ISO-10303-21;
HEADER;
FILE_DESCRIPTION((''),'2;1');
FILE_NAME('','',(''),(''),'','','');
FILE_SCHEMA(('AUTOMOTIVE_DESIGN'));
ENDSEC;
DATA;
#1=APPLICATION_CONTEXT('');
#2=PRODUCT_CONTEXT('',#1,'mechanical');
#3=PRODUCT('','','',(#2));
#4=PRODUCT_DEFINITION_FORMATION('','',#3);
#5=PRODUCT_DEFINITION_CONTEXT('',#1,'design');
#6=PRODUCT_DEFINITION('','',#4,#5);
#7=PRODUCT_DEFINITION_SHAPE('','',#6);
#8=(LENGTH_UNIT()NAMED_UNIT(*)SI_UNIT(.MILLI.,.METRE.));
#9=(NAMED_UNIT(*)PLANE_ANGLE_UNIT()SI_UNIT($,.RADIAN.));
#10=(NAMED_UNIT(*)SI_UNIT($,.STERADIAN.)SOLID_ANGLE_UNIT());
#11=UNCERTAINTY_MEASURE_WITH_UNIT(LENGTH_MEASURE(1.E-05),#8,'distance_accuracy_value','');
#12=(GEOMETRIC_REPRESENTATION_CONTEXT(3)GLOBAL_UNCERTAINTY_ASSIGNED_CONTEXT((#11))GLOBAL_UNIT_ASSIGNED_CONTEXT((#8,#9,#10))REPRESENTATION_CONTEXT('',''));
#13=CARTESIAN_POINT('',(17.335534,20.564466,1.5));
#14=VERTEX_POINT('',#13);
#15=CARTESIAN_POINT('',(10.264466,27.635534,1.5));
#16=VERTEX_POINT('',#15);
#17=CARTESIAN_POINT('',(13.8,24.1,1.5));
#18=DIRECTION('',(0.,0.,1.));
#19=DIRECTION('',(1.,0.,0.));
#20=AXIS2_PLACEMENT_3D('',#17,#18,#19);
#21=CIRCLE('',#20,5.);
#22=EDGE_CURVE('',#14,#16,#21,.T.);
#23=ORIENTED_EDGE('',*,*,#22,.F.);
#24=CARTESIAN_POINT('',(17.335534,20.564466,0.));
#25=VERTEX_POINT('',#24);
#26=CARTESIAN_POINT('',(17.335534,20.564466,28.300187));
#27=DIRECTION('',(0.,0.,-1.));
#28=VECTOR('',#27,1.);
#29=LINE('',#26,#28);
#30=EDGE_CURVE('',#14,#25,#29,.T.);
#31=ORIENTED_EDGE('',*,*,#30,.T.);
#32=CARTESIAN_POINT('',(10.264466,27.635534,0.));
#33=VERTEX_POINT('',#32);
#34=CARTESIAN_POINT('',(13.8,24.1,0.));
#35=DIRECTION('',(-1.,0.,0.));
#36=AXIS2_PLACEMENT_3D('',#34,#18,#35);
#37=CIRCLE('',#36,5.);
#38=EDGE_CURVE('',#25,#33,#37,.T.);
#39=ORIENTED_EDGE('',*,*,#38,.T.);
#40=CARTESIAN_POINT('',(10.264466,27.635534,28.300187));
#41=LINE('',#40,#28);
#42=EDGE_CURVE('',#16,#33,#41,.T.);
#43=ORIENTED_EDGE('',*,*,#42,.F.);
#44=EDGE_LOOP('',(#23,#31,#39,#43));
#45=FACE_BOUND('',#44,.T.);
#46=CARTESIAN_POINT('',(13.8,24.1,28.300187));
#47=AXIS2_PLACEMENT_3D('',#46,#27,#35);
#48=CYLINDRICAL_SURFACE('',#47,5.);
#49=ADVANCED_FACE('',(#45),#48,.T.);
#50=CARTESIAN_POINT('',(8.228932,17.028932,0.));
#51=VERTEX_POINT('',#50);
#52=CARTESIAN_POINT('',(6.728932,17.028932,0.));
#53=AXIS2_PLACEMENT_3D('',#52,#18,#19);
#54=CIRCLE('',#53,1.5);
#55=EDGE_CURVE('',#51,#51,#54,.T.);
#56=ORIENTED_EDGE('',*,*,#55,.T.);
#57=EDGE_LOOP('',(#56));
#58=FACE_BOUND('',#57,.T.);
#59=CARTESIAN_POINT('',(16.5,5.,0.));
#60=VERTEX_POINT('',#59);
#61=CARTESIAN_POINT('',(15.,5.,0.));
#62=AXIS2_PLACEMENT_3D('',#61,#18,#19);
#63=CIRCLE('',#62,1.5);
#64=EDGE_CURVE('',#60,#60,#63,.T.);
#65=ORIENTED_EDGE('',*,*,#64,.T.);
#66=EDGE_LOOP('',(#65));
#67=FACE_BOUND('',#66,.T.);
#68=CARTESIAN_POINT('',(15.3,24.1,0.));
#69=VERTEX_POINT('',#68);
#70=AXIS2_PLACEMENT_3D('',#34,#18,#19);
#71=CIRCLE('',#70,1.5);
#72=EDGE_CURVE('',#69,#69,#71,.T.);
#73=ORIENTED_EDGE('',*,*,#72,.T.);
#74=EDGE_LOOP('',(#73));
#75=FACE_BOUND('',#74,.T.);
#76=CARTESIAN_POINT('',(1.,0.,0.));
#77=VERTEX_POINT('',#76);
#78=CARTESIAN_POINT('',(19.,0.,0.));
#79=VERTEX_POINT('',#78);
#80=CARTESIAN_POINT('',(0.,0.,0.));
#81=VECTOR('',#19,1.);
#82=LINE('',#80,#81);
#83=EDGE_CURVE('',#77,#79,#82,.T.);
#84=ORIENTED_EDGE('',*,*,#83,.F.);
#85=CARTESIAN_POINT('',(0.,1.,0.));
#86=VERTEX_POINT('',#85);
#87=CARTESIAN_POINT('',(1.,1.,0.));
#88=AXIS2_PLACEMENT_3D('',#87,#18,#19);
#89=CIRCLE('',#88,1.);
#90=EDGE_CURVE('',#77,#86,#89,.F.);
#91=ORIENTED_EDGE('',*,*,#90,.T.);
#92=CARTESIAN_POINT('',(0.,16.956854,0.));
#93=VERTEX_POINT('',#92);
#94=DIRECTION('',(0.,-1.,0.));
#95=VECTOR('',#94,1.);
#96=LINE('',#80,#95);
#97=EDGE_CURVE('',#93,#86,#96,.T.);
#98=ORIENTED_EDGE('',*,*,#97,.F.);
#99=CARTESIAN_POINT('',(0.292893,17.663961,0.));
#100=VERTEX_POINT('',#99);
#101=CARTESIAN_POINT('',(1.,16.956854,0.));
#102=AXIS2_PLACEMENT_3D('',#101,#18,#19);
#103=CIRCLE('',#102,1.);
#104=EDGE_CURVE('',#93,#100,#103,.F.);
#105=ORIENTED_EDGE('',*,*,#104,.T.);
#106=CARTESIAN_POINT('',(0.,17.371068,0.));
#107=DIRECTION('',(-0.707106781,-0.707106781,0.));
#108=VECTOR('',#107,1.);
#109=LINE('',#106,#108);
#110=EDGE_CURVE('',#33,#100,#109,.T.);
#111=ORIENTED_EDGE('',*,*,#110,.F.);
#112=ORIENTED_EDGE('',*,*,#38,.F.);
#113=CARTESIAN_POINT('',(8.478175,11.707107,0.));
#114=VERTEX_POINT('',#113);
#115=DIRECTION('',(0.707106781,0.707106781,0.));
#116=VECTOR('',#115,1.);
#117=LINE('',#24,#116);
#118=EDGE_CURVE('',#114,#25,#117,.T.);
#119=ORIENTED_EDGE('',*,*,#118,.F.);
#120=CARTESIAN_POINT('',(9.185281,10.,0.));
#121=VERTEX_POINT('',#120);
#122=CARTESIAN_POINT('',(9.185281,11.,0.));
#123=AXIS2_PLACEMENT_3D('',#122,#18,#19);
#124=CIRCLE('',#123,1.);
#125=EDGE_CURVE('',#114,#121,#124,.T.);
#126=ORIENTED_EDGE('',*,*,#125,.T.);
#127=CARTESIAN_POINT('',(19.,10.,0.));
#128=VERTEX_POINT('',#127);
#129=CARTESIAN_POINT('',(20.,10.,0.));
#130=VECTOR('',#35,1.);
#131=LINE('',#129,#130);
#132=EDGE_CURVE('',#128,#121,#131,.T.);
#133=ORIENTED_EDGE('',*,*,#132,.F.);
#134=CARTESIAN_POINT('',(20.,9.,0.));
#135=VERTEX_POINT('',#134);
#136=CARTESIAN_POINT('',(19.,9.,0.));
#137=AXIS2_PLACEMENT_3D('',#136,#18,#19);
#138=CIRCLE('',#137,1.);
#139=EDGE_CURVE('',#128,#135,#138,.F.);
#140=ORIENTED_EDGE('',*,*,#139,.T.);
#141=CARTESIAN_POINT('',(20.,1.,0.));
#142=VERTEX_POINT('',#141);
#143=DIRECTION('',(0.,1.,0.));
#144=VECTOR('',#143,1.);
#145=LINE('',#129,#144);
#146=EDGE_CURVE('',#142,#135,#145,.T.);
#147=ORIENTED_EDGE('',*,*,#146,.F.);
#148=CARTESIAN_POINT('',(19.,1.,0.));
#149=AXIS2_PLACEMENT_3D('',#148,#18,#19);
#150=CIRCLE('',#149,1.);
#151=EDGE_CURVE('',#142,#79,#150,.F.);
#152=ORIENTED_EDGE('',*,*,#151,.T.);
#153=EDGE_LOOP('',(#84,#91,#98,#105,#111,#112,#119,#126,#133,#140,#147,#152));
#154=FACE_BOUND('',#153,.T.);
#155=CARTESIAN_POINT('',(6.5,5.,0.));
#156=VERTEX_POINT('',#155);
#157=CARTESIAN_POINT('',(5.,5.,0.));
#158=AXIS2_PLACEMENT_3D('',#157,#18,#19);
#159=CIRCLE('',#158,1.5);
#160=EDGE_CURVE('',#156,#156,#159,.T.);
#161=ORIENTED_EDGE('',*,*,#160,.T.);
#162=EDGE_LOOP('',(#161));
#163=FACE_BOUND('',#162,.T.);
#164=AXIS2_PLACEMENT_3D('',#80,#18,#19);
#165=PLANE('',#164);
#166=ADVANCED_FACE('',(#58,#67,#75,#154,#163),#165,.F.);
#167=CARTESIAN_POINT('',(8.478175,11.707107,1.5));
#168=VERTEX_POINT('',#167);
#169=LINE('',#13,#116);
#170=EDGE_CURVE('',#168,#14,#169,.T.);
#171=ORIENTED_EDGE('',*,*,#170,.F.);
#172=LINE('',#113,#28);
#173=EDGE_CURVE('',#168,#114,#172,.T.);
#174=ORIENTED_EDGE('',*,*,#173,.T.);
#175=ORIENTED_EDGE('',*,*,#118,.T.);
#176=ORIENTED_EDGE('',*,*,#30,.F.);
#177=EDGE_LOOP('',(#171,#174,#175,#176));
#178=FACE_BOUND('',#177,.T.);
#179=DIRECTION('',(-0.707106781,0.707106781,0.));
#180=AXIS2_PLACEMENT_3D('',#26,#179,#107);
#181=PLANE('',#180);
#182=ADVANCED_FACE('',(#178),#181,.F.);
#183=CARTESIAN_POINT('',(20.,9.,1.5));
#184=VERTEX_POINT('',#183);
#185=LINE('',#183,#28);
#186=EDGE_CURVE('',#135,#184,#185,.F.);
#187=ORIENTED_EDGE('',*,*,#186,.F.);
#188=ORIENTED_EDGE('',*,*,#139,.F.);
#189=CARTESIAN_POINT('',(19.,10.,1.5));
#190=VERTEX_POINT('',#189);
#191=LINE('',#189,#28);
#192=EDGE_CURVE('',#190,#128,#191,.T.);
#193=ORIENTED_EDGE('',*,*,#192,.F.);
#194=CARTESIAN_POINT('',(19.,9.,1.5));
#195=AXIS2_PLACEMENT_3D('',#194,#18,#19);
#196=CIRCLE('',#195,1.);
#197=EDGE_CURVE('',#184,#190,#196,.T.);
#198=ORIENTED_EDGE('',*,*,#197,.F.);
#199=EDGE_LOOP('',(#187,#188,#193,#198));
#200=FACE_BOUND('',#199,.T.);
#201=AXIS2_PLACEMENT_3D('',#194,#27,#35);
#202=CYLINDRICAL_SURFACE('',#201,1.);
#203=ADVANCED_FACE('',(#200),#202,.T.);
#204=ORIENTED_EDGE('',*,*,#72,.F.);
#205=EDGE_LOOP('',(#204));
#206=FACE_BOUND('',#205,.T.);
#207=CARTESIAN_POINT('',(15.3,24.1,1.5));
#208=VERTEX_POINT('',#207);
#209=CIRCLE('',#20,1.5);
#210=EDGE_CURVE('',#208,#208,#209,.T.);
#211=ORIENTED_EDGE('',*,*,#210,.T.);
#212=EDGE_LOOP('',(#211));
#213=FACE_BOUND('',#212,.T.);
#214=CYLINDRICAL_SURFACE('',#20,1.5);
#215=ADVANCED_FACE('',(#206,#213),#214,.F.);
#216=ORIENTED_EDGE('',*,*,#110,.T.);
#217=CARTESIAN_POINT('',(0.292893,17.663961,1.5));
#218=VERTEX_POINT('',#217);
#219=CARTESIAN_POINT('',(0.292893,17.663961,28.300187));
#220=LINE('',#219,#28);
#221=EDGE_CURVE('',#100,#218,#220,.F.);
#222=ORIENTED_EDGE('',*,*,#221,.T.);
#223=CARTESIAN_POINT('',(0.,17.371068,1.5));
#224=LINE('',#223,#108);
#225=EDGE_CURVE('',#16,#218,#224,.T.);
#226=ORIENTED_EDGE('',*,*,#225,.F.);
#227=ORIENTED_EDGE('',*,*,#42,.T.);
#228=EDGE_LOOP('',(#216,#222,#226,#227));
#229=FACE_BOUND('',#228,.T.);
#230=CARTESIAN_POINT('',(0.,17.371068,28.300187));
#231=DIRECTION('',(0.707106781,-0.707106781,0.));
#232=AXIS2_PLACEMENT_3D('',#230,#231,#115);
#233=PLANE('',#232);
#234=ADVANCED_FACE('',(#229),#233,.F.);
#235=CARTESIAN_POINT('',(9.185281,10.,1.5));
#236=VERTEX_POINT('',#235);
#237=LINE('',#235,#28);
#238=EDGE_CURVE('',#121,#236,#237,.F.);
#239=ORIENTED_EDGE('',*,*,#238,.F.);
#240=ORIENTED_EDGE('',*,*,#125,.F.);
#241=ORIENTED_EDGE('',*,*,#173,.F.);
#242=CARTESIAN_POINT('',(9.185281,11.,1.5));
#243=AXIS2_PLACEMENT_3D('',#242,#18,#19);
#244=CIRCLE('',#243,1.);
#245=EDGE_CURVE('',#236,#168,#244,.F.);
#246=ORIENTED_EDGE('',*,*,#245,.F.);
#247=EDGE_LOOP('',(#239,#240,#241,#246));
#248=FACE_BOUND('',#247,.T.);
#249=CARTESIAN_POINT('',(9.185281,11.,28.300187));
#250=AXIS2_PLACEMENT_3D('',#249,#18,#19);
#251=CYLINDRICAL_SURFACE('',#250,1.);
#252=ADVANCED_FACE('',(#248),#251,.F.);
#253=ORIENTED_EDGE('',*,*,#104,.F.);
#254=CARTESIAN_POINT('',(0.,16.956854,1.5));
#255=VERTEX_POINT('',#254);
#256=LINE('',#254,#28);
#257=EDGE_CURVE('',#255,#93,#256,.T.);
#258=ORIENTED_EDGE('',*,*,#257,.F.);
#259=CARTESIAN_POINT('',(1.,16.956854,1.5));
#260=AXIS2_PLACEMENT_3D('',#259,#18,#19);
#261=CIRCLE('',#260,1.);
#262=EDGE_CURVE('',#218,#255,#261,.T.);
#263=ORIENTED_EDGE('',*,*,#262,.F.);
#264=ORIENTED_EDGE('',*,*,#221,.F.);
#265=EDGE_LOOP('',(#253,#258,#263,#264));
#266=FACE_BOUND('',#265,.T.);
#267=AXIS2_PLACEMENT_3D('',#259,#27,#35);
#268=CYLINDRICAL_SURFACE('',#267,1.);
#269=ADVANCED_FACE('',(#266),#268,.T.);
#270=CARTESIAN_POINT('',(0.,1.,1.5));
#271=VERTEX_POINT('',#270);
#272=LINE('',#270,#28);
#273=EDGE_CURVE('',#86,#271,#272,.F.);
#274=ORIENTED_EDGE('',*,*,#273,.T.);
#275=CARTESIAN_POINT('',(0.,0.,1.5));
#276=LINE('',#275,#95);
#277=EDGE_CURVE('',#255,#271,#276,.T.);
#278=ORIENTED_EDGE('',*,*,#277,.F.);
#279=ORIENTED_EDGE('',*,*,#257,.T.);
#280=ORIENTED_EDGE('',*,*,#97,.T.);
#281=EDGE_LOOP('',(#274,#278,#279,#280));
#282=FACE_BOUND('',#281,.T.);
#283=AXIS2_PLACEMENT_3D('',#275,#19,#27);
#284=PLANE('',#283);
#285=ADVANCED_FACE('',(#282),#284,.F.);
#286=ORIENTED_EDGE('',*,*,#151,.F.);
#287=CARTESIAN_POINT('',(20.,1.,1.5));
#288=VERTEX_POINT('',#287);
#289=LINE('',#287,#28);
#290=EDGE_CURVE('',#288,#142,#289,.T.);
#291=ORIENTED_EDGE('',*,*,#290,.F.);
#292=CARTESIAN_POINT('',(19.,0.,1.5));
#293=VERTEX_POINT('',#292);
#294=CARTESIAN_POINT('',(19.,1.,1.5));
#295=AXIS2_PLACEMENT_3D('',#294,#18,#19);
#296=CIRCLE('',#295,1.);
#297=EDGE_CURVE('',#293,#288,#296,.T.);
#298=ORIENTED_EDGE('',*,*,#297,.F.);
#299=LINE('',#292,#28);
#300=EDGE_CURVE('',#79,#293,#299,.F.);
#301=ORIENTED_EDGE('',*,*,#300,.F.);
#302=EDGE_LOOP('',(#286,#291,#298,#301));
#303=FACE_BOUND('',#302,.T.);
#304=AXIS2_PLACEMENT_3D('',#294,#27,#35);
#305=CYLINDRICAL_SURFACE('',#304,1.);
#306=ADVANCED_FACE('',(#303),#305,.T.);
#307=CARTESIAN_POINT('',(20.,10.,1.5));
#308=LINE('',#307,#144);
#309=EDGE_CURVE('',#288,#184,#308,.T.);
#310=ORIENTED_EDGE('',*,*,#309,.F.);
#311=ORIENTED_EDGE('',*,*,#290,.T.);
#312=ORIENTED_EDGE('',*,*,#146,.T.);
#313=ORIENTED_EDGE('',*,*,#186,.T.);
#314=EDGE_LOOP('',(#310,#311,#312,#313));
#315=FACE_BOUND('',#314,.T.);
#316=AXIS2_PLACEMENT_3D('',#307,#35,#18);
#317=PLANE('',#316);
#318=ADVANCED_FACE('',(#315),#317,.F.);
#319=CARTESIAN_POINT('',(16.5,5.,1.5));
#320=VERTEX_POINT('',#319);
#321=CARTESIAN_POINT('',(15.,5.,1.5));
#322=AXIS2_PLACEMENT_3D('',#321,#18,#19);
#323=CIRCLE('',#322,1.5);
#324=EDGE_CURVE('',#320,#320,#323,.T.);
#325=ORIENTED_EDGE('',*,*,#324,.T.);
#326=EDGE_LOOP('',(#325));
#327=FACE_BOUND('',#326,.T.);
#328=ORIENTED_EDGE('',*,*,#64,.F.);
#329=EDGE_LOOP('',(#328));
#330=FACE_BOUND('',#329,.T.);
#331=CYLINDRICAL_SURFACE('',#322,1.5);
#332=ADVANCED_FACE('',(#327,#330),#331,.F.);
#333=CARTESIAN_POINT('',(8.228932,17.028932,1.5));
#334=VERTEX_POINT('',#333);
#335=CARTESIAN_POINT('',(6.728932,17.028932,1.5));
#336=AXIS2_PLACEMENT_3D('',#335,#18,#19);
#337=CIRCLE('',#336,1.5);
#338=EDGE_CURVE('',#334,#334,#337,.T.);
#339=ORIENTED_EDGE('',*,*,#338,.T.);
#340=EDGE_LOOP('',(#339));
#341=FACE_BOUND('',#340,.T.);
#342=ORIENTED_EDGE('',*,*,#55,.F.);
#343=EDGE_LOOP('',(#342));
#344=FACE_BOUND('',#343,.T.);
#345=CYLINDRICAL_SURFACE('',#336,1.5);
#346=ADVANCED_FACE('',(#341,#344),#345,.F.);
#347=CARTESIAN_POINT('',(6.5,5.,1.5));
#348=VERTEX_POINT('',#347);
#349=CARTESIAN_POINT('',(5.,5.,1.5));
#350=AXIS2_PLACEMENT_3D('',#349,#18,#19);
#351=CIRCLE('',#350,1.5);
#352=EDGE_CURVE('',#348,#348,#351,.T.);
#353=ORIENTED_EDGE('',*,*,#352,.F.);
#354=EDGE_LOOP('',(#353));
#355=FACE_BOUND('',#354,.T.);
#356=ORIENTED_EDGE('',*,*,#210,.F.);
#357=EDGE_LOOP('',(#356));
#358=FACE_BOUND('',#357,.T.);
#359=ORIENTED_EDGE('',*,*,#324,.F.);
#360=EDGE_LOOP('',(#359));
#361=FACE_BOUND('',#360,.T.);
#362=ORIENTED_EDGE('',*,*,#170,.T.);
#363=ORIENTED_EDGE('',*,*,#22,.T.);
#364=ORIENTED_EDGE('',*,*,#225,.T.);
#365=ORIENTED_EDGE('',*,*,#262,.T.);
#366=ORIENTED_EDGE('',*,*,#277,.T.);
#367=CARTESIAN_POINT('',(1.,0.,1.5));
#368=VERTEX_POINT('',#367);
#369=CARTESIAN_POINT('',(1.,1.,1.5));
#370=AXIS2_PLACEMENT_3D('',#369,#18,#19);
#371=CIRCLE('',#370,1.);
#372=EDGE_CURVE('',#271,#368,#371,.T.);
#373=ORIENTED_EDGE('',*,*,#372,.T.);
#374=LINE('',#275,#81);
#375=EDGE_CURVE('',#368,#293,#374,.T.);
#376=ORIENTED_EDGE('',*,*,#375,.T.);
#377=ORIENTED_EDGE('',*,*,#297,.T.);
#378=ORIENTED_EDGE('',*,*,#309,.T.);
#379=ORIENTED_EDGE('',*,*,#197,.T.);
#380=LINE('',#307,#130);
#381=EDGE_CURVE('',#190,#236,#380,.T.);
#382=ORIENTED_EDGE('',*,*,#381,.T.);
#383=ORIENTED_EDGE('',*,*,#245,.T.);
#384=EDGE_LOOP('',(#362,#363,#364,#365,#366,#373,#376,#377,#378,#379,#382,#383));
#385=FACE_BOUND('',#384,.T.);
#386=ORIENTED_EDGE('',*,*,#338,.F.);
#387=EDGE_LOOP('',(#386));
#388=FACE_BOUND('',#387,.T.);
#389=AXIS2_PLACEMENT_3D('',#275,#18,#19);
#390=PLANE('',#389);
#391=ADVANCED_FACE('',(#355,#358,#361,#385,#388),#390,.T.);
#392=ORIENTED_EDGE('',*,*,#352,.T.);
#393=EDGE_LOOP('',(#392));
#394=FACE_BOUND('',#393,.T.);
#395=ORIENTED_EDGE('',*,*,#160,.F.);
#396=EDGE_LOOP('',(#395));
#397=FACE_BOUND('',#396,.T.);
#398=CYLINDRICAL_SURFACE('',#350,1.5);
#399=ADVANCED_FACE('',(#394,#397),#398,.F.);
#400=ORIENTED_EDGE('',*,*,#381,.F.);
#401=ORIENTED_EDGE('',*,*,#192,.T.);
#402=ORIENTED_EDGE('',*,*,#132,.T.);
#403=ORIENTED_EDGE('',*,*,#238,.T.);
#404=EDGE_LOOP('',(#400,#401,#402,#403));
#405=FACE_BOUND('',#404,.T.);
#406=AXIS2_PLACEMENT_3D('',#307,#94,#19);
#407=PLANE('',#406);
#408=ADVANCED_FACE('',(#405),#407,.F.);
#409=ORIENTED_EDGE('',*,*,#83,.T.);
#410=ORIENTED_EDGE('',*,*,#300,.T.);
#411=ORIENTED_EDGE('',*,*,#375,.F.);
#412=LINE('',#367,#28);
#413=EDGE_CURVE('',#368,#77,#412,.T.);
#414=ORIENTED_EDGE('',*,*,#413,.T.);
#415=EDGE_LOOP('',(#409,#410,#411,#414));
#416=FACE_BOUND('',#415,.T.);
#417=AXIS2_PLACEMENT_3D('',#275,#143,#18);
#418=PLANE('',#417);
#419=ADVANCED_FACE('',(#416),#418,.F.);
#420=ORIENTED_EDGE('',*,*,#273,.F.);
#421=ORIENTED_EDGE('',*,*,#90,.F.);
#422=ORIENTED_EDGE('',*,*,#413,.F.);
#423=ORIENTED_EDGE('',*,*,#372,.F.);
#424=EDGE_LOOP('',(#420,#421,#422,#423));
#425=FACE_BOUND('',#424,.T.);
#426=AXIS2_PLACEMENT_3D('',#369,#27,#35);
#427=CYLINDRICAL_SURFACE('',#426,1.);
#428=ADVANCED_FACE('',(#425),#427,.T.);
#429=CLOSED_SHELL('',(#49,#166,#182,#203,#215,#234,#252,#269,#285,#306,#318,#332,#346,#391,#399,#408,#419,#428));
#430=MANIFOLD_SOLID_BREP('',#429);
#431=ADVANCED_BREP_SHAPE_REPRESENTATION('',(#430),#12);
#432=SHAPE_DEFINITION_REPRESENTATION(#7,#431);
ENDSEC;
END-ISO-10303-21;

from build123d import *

# Parameters (mm, degrees)
SCHIZZO1_W                   = 20
SCHIZZO1_H                   = 10
ESTRUSIONE_ESTRUSIONE1_DEPTH = 1.5
FORO_3_0_3_1_D               = 3
ESTRUSIONE_ESTRUSIONE3_DEPTH = 1.5
FORO_3_0_3_4_D               = 3
RACCORDO2_R                  = 1


with BuildPart() as part:
    # Schizzo1 → Estrusione-Estrusione1 (new body)
    with BuildSketch(Plane.XY):
        with Locations((10, 5)):
            Rectangle(SCHIZZO1_W, SCHIZZO1_H)
    extrude(amount=ESTRUSIONE_ESTRUSIONE1_DEPTH)

    # Foro Ø3.0 (3)-1 (through all)
    with Locations(Plane.XY.offset(1.5)):
        with Locations((5, 5), (15, 5)):
            Hole(FORO_3_0_3_1_D / 2)

    # Schizzo9 → Estrusione-Estrusione3 (add)
    with BuildSketch(Plane.XY):
        with BuildLine():
            Line((0, 17.371067812), (0, 10))
            Line((0, 10), (6.771067812, 10))
            Line((6.771067812, 10), (17.335533906, 20.564466094))
            ThreePointArc((17.335533906, 20.564466094), (17.335533906, 27.635533906), (10.264466094, 27.635533906))
            Line((10.264466094, 27.635533906), (0, 17.371067812))
        make_face()
    extrude(amount=ESTRUSIONE_ESTRUSIONE3_DEPTH)

    # Foro Ø3.0 (3)-4 (through all)
    with Locations(Plane.XY.offset(1.5)):
        with Locations((13.8, 24.1), (6.728932188, 17.028932188)):
            Hole(FORO_3_0_3_4_D / 2)

    # Raccordo2
    raccordo2_edges = [part.edges().sort_by_distance(p)[0] for p in [
        (0, 0, 0.75),
        (20, 0, 0.75),
        (20, 10, 0.75),
        (6.771067812, 10, 0.75),
        (0, 17.371067812, 0.75),
    ]]
    fillet(raccordo2_edges, radius=RACCORDO2_R)


solid = part.part
